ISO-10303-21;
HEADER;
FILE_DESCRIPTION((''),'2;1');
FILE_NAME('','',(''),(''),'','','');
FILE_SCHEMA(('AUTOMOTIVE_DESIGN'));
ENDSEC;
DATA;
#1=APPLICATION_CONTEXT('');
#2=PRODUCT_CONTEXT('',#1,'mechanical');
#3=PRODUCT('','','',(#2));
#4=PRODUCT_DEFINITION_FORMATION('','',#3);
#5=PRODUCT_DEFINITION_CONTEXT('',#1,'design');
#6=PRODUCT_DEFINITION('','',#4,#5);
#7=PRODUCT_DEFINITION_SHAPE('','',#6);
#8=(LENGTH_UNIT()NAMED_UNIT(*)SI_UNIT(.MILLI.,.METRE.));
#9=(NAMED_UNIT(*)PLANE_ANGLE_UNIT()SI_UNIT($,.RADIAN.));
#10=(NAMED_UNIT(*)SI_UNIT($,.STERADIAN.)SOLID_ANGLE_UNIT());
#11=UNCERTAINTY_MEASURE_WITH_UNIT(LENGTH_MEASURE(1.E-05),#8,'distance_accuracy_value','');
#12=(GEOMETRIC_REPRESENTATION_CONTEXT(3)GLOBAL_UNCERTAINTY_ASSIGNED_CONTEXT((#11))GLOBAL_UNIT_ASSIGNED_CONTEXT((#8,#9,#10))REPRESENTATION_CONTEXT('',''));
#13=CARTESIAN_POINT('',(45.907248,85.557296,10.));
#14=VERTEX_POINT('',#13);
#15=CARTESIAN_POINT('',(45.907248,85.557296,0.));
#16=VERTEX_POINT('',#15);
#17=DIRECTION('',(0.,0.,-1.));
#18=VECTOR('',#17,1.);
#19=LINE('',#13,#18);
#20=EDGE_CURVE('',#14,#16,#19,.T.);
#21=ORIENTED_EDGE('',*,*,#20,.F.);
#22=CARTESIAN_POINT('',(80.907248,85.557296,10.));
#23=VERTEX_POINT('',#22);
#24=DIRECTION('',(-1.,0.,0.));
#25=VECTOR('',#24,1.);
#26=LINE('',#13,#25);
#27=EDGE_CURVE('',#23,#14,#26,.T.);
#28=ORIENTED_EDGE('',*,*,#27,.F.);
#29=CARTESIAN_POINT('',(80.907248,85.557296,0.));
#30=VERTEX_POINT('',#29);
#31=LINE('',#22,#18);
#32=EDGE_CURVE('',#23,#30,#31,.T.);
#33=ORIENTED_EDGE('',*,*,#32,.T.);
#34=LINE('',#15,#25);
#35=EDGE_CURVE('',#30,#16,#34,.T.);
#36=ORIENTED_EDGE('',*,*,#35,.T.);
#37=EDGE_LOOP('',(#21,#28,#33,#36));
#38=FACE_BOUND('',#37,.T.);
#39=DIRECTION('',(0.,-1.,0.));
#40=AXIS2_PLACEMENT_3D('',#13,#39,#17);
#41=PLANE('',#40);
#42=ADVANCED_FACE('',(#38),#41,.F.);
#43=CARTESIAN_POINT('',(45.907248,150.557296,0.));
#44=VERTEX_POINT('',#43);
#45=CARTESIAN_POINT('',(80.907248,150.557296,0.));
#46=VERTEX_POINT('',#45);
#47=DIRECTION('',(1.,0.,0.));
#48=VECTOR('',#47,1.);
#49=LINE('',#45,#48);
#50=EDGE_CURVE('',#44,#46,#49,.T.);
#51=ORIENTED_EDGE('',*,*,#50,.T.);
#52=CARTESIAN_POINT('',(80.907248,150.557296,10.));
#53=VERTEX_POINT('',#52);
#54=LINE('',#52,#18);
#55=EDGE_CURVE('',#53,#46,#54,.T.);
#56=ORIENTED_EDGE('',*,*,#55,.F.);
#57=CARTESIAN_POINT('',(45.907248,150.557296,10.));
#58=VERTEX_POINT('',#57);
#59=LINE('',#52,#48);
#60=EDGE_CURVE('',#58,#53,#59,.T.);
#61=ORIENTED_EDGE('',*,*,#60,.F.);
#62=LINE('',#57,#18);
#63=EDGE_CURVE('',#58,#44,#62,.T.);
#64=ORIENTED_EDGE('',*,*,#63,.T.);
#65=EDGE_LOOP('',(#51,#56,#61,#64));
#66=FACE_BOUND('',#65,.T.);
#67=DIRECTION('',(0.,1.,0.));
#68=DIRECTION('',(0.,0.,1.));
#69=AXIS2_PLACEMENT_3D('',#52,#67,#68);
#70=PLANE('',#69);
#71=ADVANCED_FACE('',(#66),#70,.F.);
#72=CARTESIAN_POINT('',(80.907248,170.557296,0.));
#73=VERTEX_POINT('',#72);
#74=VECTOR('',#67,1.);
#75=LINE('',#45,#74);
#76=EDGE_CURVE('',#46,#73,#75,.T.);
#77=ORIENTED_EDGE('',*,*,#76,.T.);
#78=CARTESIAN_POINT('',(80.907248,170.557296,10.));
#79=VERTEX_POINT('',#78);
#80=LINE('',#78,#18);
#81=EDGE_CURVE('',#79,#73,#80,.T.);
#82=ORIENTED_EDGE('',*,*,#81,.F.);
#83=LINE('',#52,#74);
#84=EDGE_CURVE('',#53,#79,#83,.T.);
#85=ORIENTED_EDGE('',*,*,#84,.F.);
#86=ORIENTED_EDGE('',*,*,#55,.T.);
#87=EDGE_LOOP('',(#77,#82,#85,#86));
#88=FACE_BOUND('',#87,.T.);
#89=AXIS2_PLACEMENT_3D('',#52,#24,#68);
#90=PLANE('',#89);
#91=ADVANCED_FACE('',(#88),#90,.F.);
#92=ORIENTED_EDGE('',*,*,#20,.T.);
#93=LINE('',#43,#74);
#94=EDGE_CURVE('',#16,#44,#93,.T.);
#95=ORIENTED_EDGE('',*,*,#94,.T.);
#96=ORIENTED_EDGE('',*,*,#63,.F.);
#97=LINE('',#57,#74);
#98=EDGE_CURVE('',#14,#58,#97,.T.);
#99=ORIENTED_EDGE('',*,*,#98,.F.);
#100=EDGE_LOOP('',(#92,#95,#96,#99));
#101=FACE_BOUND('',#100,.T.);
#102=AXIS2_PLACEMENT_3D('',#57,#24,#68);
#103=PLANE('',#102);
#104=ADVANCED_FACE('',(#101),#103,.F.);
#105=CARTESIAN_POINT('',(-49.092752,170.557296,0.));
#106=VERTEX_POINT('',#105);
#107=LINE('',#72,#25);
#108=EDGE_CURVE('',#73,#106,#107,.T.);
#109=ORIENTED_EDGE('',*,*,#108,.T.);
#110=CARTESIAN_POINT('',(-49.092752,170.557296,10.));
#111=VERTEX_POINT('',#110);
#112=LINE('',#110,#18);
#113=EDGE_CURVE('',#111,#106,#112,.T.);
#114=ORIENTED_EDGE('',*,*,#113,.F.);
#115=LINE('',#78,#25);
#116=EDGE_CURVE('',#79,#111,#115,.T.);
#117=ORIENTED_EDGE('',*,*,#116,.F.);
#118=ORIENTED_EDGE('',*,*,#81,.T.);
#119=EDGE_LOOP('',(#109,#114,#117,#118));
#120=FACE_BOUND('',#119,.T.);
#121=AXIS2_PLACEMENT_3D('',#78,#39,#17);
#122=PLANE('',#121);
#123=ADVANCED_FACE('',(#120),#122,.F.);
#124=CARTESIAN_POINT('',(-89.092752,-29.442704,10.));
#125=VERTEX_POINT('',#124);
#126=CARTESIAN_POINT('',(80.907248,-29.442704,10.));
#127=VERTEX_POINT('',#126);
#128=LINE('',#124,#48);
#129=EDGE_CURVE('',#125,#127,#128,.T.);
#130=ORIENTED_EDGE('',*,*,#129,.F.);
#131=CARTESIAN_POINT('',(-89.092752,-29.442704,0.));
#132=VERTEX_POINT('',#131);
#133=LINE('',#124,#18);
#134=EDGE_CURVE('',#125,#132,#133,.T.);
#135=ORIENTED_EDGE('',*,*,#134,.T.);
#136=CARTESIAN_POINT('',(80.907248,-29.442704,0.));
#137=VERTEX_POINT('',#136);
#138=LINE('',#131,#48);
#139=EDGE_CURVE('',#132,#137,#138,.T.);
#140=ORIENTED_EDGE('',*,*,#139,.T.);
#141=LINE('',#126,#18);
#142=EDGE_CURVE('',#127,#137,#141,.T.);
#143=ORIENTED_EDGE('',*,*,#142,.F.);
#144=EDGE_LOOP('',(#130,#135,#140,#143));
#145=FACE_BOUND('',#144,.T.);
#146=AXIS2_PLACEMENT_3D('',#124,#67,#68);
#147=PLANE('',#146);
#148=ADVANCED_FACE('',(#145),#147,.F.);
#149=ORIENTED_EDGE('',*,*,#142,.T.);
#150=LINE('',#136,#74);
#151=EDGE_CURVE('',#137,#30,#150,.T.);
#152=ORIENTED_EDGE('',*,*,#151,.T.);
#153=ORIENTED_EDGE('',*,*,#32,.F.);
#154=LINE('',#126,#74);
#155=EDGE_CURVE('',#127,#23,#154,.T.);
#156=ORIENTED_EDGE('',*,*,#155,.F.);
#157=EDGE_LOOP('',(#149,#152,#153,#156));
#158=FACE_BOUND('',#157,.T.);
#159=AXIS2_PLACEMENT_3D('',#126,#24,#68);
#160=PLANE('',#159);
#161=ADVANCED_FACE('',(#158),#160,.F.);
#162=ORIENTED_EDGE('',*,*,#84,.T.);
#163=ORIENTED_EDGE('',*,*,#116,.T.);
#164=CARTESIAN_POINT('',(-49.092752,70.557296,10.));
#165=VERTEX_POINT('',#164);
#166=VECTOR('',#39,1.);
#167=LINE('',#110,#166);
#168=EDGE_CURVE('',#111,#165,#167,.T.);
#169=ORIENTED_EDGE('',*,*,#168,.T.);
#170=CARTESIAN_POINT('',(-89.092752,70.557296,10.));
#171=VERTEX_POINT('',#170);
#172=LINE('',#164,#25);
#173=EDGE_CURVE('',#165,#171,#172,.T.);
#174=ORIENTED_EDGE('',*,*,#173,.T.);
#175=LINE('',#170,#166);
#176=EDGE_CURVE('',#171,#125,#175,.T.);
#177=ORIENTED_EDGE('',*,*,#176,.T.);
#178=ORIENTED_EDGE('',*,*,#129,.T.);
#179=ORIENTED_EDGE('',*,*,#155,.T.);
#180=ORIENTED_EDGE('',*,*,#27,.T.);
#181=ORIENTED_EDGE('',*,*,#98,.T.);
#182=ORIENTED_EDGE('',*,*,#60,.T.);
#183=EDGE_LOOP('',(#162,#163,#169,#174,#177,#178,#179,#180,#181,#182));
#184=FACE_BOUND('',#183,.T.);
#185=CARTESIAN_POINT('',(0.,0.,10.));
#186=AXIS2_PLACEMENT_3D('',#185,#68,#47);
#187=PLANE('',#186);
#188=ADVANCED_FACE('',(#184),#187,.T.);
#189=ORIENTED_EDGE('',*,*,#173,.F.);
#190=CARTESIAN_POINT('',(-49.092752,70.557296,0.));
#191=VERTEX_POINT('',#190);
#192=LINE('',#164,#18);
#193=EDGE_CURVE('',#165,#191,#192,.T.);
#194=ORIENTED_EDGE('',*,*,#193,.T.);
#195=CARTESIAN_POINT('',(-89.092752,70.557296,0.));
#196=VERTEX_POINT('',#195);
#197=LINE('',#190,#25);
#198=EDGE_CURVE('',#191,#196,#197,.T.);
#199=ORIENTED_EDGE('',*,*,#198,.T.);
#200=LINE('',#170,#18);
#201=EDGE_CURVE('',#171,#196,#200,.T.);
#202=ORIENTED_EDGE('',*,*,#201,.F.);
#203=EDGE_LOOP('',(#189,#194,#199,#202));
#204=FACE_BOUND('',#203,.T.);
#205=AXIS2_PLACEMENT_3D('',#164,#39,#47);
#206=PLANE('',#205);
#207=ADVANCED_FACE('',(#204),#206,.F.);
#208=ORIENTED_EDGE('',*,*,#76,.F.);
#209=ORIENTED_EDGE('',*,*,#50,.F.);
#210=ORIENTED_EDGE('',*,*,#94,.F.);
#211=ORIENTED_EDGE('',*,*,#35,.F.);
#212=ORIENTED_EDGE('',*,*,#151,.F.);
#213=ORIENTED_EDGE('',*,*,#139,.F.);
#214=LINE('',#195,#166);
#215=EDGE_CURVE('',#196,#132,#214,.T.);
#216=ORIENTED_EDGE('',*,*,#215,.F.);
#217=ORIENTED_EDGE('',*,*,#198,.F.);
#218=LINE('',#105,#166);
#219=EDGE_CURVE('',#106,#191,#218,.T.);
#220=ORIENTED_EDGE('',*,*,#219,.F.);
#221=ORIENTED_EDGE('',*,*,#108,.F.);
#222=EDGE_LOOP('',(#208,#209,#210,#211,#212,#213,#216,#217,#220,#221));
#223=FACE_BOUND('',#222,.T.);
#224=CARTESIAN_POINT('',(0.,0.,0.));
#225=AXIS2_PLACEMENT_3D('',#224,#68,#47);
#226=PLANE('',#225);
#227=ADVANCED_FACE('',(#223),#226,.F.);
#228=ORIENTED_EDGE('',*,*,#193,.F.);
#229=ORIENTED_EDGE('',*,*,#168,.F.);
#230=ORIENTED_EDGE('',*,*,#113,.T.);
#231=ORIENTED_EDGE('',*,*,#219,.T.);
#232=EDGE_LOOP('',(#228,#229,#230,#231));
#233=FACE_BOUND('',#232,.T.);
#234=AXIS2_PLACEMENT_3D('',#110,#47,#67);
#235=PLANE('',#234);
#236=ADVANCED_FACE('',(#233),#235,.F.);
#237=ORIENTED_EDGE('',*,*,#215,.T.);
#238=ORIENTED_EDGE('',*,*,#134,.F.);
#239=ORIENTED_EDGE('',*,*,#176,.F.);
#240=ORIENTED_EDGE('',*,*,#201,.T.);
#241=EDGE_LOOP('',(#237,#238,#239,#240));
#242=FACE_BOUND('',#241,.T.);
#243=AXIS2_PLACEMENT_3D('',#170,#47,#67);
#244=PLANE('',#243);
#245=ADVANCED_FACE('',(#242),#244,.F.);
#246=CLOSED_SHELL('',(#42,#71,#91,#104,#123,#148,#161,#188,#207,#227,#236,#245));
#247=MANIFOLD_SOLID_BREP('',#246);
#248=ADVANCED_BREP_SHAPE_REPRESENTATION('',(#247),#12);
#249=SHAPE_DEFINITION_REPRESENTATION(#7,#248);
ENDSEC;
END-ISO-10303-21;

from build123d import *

# Parameters (mm, degrees)
BOSS_EXTRUDE1_DEPTH = 10


with BuildPart() as part:
    # Sketch2 → Boss-Extrude1 (new body)
    with BuildSketch(Plane.XY):
        Polygon((-89.092751524, -29.442704268), (80.907248476, -29.442704268), (80.907248476, 85.557295732), (45.907248476, 85.557295732), (45.907248476, 150.557295732), (80.907248476, 150.557295732), (80.907248476, 170.557295732), (-49.092751524, 170.557295732), (-49.092751524, 70.557295732), (-89.092751524, 70.557295732), align=None)
    extrude(amount=BOSS_EXTRUDE1_DEPTH)


solid = part.part
